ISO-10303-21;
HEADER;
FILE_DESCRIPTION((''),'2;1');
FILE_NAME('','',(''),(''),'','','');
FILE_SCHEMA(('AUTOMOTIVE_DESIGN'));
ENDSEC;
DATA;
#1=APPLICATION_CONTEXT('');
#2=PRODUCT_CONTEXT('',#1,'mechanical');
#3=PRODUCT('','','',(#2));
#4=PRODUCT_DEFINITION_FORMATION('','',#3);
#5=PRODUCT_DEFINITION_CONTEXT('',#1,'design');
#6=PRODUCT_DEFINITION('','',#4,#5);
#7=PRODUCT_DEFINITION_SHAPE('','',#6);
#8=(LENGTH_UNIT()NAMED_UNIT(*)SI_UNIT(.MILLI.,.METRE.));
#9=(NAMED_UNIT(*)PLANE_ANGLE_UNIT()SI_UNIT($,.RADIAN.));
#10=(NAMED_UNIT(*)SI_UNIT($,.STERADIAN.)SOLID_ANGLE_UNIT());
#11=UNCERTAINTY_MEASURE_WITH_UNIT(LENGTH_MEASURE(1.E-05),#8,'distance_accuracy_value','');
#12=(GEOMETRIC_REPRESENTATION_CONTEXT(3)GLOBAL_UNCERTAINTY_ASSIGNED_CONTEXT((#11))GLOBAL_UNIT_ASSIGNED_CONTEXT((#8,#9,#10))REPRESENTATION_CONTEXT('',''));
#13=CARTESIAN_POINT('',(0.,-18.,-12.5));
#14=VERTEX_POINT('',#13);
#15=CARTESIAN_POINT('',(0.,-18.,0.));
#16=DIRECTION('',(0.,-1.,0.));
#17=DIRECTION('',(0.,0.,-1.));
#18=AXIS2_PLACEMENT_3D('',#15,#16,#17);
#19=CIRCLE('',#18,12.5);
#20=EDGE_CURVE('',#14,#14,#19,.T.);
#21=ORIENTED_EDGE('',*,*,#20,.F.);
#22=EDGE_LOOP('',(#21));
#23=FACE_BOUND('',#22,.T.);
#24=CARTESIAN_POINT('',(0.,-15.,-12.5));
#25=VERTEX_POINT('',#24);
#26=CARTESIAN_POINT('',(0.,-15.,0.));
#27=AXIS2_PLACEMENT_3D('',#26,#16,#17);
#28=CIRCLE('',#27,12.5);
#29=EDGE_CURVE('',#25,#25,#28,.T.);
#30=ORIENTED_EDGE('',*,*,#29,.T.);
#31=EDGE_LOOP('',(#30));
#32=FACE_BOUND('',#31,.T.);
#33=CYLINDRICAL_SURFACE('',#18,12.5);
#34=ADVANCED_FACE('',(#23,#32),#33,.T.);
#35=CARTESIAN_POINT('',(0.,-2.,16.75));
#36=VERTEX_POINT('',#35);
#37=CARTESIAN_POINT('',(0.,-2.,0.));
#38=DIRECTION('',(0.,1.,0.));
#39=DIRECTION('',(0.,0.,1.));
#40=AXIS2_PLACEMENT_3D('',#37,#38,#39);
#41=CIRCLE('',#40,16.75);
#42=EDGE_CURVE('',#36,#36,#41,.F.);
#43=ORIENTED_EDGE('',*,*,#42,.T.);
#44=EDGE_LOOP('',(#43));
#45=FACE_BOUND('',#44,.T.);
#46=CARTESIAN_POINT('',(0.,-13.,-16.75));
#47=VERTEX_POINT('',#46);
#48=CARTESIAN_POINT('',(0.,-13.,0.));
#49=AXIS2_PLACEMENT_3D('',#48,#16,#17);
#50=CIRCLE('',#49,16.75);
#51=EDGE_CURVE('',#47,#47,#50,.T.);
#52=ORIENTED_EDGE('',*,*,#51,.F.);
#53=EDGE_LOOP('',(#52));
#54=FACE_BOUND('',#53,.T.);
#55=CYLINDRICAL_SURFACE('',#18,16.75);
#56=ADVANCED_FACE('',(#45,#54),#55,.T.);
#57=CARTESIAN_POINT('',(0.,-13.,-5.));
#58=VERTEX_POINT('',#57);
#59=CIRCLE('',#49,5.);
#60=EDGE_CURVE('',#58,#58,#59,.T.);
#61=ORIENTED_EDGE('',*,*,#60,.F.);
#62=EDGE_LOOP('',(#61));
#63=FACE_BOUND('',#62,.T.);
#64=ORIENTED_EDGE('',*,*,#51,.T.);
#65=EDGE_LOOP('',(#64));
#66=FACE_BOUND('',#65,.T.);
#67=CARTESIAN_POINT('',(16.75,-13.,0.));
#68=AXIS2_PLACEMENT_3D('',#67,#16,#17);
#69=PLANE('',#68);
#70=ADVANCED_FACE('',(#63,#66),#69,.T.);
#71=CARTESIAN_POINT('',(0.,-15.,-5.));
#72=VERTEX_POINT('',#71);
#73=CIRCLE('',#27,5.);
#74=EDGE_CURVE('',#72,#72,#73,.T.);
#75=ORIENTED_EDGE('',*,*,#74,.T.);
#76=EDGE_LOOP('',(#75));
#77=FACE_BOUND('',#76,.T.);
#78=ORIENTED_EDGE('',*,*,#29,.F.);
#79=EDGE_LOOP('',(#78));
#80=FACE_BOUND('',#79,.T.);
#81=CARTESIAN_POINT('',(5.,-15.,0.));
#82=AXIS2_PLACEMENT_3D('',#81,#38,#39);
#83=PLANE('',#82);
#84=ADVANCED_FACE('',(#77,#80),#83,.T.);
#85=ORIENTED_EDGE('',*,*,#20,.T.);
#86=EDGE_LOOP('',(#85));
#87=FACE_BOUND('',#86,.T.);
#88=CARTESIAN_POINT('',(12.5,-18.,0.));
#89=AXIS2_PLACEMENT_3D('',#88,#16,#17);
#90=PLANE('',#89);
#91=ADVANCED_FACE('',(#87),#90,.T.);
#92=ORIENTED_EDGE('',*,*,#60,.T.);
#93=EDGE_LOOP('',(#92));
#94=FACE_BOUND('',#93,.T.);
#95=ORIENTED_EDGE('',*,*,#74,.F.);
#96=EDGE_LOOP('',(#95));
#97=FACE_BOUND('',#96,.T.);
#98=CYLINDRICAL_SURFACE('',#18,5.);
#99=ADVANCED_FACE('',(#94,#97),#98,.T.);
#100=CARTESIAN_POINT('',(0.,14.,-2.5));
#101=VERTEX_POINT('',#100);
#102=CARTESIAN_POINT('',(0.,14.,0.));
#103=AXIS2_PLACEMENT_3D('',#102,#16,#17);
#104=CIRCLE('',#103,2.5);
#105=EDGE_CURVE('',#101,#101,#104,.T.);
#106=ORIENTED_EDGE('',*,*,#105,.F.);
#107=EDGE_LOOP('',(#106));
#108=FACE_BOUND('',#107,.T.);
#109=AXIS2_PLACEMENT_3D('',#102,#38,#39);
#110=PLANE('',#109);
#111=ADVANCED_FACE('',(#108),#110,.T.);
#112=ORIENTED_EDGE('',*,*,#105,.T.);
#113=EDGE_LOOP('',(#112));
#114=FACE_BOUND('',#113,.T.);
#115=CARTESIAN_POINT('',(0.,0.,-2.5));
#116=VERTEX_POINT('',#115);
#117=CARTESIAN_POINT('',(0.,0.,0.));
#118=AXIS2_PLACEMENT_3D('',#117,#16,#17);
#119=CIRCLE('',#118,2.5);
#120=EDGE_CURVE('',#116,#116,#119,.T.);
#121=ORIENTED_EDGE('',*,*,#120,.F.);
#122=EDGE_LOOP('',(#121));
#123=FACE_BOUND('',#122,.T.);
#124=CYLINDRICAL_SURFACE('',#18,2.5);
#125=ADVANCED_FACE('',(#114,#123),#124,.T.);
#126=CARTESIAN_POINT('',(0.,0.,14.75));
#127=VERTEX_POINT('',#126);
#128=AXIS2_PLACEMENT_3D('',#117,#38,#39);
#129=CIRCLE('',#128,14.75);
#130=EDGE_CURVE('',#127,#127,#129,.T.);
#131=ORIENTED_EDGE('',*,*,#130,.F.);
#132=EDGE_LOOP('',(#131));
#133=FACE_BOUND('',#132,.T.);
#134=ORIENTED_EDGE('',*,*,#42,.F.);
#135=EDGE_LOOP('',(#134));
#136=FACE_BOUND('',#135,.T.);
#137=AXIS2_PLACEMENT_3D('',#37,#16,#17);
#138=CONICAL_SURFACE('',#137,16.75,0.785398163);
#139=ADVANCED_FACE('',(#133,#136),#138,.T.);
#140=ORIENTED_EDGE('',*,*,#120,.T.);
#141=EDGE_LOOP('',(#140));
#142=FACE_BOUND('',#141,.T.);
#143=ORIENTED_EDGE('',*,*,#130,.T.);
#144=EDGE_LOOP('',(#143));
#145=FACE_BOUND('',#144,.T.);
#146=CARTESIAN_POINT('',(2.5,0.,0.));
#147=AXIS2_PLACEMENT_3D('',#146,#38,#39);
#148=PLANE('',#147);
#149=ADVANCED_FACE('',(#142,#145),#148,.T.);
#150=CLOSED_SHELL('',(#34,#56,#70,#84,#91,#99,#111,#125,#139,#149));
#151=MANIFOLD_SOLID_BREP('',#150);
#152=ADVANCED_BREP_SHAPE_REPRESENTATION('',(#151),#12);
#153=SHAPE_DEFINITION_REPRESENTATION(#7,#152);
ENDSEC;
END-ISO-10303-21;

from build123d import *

# Parameters (mm, degrees)
CHAMFER1_SIZE = 2


with BuildPart() as part:
    # Sketch1 → Revolve1 (revolve)
    with BuildSketch(Plane.XY, mode=Mode.PRIVATE) as revolve1_sk:
        Polygon((0, 14), (2.5, 14), (2.5, 0), (16.75, 0), (16.75, -13), (5, -13), (5, -15), (12.5, -15), (12.5, -18), (0, -18), align=None)
    revolve(revolve1_sk.sketch.rotate(Axis((0, -18, 0), (0, 1, 0)), 90), axis=Axis((0, -18, 0), (0, 1, 0)))

    # Chamfer1
    chamfer1_edges = [part.edges().sort_by_distance(p)[0] for p in [
        (0, 0, 16.75),
    ]]
    chamfer(chamfer1_edges, length=CHAMFER1_SIZE)


solid = part.part
